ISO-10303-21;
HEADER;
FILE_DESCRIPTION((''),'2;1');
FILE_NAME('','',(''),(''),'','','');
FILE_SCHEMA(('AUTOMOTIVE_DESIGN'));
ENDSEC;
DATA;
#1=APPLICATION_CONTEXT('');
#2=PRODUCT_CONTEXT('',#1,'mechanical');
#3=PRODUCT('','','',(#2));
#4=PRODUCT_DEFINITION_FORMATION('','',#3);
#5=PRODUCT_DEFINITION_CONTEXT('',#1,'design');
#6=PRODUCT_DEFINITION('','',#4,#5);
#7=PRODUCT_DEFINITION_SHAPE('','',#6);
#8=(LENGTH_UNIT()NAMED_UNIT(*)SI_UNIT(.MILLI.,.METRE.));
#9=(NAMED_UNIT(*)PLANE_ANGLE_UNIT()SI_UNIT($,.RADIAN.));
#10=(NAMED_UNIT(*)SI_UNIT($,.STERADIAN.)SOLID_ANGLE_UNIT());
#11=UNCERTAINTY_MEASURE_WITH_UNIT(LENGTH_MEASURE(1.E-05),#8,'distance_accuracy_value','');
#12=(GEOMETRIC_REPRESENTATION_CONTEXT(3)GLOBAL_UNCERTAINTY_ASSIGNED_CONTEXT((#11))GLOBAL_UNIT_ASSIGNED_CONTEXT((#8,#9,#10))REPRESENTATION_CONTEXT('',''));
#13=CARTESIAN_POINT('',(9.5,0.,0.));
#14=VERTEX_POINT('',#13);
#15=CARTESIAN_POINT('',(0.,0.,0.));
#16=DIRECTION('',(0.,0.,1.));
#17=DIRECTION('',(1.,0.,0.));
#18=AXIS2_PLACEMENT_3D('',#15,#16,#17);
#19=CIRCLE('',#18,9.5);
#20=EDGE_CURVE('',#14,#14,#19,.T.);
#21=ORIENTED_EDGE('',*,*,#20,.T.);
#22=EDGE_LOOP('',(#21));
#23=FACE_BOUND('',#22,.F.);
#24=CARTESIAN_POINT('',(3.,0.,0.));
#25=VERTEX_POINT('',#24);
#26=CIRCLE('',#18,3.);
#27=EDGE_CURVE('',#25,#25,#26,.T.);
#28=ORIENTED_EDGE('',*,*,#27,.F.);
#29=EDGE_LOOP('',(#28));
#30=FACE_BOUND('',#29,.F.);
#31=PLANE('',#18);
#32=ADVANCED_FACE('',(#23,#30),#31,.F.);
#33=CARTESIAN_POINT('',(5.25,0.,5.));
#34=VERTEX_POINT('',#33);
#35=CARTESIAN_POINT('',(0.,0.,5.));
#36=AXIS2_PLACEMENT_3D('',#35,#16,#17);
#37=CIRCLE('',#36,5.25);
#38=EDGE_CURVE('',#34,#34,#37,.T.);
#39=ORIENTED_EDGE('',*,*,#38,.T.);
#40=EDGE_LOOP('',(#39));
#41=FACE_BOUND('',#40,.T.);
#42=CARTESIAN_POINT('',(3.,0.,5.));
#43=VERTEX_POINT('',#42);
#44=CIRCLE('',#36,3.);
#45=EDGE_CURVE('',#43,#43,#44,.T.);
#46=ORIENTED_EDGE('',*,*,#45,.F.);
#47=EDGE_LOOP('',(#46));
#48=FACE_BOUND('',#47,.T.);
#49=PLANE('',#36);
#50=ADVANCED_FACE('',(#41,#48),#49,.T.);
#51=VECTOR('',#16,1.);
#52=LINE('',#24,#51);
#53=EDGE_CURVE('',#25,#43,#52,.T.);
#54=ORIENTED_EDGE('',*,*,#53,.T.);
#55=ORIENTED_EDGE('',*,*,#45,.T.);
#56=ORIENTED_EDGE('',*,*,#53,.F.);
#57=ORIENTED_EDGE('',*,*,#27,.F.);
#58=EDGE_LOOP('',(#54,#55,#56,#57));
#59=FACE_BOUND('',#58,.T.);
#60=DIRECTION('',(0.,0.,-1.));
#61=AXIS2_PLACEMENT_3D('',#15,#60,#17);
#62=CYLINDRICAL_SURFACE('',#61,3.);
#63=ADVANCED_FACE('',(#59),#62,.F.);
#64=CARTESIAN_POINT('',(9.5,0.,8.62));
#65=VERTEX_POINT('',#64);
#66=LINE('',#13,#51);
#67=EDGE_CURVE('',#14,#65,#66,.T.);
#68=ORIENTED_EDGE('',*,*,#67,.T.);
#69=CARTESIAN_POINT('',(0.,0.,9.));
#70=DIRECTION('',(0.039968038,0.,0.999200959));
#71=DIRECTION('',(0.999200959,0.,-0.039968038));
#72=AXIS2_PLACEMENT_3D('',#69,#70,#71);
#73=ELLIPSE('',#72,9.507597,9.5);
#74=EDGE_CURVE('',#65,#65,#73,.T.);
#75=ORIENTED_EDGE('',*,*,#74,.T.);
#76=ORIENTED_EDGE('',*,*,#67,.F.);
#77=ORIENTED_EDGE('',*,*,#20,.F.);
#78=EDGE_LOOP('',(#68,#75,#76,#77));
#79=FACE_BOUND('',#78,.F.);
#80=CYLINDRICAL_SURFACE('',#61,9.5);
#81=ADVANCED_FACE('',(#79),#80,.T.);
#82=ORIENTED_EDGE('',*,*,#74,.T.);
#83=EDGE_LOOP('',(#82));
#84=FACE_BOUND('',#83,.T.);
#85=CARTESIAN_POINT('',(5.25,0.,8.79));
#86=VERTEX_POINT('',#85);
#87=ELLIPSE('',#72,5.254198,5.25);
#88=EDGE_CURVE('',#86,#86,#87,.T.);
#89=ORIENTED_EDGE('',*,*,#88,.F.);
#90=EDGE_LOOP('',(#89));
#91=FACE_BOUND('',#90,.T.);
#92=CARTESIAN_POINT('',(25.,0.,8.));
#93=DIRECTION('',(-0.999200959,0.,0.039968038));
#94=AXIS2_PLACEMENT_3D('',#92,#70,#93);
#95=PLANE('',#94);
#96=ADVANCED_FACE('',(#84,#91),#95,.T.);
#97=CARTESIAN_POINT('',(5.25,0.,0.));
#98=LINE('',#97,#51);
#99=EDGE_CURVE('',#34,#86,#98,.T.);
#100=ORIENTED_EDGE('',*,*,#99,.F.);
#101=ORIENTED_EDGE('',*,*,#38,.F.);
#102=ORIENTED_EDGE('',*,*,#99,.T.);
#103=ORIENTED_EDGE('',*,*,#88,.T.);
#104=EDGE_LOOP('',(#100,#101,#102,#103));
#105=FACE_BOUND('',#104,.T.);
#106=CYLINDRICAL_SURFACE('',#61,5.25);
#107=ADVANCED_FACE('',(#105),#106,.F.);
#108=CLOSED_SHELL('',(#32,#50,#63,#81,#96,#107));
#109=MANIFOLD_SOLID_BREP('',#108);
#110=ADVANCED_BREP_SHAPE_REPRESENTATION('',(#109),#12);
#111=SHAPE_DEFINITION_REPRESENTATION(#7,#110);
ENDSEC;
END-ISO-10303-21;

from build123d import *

# Parameters (mm, degrees)
F0_R     = 9.5
F0_R_2   = 5.25
F1_DEPTH = 10
F2_R     = 5.25
F2_R_2   = 3
F3_DEPTH = 5
F5_DEPTH = 12.5


with BuildPart() as f1:
    # F0 (on Top) → F1 (new body)
    with BuildSketch(Plane.XY):
        Circle(F0_R)
        Circle(F0_R_2, mode=Mode.SUBTRACT)
    extrude(amount=F1_DEPTH)

    # F2 (on Top) → F3 (join)
    with BuildSketch(Plane.XY):
        Circle(F2_R)
        Circle(F2_R_2, mode=Mode.SUBTRACT)
    extrude(amount=F3_DEPTH)

    # F4 (on Front) → F5 (intersect, symmetric)
    with BuildSketch(Plane.XZ):
        Polygon((25, 8), (-25, 10), (-25, 0), (25, 0), align=None)
    extrude(amount=F5_DEPTH, both=True, mode=Mode.INTERSECT)


solid = f1.part
